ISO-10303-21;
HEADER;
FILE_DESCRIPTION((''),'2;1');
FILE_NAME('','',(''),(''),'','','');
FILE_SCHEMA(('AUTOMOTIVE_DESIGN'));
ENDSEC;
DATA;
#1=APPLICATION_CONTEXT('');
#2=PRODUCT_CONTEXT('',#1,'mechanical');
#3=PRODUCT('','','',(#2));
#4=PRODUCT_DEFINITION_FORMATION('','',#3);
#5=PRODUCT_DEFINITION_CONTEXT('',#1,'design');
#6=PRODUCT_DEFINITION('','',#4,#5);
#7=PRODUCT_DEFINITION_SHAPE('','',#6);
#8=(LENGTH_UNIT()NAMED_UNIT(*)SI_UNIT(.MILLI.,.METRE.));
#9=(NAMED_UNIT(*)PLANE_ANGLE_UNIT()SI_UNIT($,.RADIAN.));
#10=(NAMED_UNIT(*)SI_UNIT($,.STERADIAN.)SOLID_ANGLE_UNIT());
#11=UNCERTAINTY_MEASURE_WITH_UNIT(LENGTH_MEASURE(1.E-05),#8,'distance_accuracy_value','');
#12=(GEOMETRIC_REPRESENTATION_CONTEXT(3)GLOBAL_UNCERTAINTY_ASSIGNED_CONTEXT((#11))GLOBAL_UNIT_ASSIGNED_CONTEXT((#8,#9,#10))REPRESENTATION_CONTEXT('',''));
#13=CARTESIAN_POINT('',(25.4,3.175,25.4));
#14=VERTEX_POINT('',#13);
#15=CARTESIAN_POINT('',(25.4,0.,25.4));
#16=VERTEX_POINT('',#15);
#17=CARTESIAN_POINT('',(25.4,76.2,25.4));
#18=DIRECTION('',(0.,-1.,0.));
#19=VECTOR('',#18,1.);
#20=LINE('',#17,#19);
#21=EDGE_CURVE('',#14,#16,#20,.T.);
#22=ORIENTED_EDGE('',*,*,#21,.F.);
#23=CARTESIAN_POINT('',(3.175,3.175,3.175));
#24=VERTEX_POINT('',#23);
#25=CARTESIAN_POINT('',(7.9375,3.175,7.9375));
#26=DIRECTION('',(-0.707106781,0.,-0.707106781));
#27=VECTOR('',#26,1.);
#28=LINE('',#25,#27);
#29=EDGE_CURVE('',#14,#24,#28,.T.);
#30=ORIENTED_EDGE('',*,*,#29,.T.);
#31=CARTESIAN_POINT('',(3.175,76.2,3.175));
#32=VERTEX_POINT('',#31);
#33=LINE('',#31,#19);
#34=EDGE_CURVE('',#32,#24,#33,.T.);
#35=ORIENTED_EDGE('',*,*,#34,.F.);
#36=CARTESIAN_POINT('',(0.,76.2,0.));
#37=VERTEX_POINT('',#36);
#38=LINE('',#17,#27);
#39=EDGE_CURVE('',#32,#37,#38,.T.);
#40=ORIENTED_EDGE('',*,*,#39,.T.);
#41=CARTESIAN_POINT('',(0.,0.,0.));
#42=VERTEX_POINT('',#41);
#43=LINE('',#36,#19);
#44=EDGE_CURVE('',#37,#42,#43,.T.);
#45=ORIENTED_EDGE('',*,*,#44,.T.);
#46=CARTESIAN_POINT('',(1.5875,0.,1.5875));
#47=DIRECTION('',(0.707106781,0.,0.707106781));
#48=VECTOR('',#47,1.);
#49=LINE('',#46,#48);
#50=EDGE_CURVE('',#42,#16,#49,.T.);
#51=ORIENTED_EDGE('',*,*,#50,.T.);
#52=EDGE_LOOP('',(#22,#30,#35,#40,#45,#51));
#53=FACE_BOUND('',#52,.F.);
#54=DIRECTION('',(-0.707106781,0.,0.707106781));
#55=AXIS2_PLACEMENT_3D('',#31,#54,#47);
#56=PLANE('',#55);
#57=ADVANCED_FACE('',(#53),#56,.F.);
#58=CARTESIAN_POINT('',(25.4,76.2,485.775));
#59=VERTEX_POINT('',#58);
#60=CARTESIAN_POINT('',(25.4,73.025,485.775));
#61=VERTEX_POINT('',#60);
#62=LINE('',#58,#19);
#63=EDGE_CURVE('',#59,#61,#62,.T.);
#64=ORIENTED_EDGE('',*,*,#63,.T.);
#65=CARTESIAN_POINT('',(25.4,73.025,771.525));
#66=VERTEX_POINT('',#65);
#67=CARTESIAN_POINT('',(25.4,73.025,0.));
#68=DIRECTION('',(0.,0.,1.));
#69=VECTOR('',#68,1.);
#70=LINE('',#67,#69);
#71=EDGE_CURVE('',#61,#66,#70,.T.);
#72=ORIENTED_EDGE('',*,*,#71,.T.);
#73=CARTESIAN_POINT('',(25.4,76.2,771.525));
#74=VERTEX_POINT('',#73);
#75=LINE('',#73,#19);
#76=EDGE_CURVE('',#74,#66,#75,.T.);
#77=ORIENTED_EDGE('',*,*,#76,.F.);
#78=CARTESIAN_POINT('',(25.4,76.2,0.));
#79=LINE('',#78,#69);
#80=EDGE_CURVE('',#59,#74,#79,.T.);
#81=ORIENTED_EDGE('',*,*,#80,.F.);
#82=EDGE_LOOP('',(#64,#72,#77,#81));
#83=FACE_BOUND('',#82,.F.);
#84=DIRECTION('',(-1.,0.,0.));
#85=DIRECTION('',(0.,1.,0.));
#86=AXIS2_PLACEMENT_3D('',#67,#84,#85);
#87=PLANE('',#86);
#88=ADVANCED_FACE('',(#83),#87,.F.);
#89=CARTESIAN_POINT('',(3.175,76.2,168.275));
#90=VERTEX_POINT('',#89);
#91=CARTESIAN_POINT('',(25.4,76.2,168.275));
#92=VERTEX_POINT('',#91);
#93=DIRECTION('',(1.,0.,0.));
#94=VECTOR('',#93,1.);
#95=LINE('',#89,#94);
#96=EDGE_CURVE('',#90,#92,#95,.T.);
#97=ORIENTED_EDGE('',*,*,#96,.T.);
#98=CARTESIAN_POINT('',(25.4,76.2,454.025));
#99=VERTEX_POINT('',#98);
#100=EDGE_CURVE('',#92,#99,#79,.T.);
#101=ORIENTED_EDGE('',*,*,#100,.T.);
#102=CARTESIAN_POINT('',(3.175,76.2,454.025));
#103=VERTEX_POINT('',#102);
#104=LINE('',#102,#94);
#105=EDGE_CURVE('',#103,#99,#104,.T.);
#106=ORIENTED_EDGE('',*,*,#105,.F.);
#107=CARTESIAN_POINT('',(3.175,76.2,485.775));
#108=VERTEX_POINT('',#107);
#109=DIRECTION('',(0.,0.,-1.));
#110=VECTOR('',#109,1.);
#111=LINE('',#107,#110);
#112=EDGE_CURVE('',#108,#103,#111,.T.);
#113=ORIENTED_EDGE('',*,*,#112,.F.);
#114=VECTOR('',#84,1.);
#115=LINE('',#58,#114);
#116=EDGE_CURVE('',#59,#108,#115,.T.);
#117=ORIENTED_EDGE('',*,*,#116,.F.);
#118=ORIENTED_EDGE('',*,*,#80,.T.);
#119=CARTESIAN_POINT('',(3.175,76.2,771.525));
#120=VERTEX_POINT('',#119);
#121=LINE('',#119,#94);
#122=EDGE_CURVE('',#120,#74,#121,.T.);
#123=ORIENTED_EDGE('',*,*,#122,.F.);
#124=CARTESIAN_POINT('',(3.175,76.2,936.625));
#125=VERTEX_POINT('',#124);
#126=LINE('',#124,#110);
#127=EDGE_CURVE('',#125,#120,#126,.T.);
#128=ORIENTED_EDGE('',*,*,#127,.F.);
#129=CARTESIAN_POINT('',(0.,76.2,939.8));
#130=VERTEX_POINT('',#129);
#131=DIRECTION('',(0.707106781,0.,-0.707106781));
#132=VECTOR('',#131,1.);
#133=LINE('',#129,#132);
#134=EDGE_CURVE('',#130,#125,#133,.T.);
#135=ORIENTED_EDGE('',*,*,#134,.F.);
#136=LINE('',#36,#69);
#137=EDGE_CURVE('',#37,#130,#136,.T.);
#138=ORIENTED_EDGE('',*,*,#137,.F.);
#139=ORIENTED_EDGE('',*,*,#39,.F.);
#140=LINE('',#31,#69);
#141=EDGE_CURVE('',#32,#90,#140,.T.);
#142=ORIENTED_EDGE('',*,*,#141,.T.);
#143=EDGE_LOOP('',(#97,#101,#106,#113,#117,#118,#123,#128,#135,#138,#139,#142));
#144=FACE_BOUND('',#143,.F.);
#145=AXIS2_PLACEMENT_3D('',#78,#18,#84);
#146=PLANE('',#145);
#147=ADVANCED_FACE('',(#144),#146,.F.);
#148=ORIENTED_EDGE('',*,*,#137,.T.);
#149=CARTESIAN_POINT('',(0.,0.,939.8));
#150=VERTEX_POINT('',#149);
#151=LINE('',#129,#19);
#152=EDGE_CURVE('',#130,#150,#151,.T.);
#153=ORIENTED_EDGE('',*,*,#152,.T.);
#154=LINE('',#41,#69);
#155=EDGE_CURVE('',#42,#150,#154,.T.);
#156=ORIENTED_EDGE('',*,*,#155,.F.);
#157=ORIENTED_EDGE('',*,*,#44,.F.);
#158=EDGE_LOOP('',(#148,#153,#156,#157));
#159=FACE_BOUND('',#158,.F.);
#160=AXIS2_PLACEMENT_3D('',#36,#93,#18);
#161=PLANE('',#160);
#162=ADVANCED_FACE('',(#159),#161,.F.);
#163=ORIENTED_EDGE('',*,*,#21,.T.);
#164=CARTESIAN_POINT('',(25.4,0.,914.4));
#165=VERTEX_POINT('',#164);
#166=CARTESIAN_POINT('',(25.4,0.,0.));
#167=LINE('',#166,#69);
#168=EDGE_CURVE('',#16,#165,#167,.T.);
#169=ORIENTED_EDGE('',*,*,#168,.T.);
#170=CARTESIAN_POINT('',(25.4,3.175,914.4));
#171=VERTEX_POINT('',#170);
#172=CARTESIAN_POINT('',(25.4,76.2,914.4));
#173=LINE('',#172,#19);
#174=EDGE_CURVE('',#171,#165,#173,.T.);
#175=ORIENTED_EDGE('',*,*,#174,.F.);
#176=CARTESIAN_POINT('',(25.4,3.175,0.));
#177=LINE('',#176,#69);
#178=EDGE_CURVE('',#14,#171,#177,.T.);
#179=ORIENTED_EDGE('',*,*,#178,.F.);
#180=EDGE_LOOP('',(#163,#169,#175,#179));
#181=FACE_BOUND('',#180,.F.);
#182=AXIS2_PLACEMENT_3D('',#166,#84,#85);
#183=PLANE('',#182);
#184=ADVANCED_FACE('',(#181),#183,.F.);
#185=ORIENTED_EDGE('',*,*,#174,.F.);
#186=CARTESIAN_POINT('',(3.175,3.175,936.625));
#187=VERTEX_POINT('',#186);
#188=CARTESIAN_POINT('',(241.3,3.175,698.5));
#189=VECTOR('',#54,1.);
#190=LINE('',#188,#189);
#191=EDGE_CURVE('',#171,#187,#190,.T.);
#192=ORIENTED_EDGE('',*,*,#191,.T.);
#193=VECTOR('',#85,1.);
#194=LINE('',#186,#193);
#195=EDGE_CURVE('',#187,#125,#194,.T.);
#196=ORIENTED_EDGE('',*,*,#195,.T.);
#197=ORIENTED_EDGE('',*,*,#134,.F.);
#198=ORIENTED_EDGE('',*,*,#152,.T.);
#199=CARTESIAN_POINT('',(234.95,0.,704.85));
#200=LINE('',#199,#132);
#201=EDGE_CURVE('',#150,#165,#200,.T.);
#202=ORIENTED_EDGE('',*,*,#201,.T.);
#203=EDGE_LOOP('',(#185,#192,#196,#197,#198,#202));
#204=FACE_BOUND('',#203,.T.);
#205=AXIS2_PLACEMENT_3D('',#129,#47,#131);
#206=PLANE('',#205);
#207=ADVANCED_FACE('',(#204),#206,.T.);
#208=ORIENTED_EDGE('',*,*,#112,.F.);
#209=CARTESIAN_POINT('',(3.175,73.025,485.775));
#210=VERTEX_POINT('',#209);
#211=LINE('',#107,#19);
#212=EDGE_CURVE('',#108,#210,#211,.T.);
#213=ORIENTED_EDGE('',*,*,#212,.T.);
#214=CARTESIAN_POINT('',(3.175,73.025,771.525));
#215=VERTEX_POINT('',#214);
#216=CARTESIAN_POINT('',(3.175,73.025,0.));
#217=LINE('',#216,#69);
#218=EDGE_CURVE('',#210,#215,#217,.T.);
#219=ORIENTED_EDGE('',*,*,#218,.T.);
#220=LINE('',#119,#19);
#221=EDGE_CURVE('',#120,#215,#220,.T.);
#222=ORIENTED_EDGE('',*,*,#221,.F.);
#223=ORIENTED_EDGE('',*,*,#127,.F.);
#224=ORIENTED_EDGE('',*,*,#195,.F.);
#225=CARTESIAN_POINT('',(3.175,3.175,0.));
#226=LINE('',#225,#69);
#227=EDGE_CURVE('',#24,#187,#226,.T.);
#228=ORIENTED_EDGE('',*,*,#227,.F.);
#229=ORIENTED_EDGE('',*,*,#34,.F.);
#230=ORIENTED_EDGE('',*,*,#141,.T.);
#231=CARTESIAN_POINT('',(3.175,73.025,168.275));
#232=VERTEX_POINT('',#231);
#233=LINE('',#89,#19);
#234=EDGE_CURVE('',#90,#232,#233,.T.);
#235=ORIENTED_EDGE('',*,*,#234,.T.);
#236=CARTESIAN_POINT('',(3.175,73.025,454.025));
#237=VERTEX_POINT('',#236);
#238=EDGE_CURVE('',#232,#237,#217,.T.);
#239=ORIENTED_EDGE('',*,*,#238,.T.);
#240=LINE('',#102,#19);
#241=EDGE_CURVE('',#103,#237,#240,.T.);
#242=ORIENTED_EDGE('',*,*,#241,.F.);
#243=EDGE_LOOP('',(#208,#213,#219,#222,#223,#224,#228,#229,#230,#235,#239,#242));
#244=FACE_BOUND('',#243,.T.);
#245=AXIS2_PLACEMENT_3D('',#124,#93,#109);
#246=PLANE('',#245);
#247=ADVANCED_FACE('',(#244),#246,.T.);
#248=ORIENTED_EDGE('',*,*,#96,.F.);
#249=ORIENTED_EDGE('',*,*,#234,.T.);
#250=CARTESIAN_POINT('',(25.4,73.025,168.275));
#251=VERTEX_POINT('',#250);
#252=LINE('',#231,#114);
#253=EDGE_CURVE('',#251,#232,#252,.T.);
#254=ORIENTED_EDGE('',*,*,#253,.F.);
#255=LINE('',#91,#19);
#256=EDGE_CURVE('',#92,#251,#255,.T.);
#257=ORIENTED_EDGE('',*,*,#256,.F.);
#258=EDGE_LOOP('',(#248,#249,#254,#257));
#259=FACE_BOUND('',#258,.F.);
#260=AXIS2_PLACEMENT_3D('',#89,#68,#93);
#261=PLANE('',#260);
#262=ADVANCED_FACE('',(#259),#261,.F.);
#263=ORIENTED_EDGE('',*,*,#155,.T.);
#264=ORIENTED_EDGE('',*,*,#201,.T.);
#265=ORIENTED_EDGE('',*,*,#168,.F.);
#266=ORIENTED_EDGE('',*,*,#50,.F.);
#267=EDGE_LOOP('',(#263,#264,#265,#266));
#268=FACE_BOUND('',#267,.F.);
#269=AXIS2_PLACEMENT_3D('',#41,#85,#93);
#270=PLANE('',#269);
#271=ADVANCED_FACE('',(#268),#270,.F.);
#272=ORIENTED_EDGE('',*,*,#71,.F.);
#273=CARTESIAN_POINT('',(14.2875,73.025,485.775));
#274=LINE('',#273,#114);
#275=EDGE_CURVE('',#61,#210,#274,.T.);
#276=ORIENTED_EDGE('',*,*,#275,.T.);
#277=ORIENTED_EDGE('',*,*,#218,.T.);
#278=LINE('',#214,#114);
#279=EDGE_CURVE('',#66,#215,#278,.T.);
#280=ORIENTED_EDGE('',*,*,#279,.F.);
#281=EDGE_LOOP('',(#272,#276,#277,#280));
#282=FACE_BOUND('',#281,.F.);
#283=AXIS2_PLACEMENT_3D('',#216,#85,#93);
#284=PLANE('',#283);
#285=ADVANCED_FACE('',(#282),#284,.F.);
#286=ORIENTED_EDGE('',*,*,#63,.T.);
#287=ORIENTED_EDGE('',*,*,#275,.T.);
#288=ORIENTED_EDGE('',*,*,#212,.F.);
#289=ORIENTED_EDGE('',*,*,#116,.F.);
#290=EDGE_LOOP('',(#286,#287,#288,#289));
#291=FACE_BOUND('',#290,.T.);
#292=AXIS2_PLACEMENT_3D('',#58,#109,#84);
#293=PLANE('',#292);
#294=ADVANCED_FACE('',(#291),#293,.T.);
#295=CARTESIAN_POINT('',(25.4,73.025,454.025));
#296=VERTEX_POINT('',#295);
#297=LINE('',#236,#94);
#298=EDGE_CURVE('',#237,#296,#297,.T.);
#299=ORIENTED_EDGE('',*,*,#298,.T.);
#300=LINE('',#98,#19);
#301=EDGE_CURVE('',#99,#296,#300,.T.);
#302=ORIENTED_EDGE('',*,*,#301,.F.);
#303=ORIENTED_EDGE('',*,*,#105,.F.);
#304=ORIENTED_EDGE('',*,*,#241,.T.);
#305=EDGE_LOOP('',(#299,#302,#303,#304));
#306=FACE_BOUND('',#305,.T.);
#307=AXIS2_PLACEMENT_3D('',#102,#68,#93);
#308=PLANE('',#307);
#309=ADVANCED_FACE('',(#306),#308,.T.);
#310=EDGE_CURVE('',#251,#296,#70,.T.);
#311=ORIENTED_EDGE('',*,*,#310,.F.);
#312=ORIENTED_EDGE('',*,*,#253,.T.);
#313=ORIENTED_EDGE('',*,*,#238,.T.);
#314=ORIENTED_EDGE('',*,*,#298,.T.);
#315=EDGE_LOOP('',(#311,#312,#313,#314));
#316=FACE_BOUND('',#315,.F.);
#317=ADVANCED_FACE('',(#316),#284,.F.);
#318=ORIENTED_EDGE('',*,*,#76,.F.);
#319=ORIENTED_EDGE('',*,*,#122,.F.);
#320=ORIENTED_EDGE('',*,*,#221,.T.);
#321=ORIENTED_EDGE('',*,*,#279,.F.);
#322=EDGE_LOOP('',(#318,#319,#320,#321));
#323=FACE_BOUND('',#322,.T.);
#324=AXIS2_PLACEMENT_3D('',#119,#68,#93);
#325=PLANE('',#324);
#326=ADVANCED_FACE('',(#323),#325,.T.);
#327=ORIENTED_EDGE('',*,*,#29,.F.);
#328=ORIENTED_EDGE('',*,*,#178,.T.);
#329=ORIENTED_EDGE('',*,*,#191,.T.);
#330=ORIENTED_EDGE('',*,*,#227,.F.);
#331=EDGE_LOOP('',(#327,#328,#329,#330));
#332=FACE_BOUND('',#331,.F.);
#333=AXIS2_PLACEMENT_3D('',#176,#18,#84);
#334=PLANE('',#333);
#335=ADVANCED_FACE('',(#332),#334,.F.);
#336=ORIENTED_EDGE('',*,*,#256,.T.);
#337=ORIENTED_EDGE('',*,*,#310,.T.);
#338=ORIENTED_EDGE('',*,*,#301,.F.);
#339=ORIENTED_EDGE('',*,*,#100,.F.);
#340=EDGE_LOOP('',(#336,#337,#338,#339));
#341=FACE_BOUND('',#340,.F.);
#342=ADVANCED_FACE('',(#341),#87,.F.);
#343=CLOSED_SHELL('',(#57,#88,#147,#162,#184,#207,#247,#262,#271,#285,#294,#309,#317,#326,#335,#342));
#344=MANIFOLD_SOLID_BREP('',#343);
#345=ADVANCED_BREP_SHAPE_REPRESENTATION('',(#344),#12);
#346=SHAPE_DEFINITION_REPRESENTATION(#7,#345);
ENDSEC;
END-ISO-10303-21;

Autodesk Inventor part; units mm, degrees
ref_plane "YZ Plane" through (0, 0, 0) normal (1, 0, 0) x (0, 1, 0)
ref_plane "XZ Plane" through (0, 0, 0) normal (0, 1, 0) x (-1, 0, 0)
ref_plane "XY Plane" through (0, 0, 0) normal (0, 0, 1) x (1, 0, 0)
sketch "Sketch1" plane through (0, 0, 0) normal (0, 0, 1) x (1, 0, 0)
  line L0 (0, 0) -> (25.4, 0)
  line L1 (25.4, 76.2) -> (0, 76.2)
  line L2 (0, 76.2) -> (0, 0)
  line L3 (25.4, 3.175) -> (3.175, 3.175)
  line L4 (3.175, 3.175) -> (3.175, 73.025)
  line L5 (3.175, 73.025) -> (25.4, 73.025)
  line L6 (25.4, 0) -> (25.4, 3.175)
  line L7 (25.4, 73.025) -> (25.4, 76.2)
  dimension "d0" = 76.2
  dimension "d1" = 25.4
  dimension "d2" = 3.175
  dimension "d3" = 3.175
  dimension "d4" = 3.175
extrude "Extrusion1" add sketch "Sketch1" along normal blind 939.8
sketch "Sketch2" plane through (0, 76.2, 0) normal (0, 1, 0) x (1, 0, 0)
  line L0 (0, -939.8) -> (25.4, -939.8) projected
  line L1 (25.4, 0) -> (25.4, -939.8) projected
  line L2 (25.4, 0) -> (0, 0) projected
  line L3 (0, 0) -> (0, -939.8) projected
  line L4 (0, -939.8) -> (25.4, -914.4)
  line L5 (0, 0) -> (25.4, -25.4)
  line L6 (3.175, -936.625) -> (3.175, -771.525)
  line L7 (3.175, -771.525) -> (25.4, -771.525)
  line L8 (3.175, -3.175) -> (3.175, -168.275)
  line L9 (3.175, -168.275) -> (25.4, -168.275)
  dimension "d7" = 45
  dimension "d8" = 3.175
  dimension "d9" = 165.1
  dimension "d10" = 165.1
extrude "Extrusion2" cut sketch "Sketch2" against normal through all contours L4 L1 L0 | L2 L1 L5
extrude "Extrusion3" cut sketch "Sketch2" against normal up to next contours L6 L7 L1 L4 | L5 L1 L9 L8
sketch "Sketch3" plane through (0, 76.2, 939.8) normal (0, 1, 0) x (1, 0, 0)
  line L0 (25.4, 771.525) -> (25.4, 168.275) projected
  line L1 (25.4, 454.025) -> (3.175, 454.025)
  line L2 (3.175, 454.025) -> (3.175, 485.775)
  line L3 (3.175, 485.775) -> (25.4, 485.775)
  line L4 (25.4, 485.775) -> (25.4, 454.025)
  point P0 (0, 0)
  dimension "d15" = 31.75
  dimension "d16" = 22.225
  dimension "d17" = 454.025
extrude "Extrusion4" cut sketch "Sketch3" against normal blind 25.4
equation "\"d3\" = d2"
equation "\"d4\" = d2"
equation "\"d10\" = d9"
properties part number "frame U 1 by 3 long 2"
